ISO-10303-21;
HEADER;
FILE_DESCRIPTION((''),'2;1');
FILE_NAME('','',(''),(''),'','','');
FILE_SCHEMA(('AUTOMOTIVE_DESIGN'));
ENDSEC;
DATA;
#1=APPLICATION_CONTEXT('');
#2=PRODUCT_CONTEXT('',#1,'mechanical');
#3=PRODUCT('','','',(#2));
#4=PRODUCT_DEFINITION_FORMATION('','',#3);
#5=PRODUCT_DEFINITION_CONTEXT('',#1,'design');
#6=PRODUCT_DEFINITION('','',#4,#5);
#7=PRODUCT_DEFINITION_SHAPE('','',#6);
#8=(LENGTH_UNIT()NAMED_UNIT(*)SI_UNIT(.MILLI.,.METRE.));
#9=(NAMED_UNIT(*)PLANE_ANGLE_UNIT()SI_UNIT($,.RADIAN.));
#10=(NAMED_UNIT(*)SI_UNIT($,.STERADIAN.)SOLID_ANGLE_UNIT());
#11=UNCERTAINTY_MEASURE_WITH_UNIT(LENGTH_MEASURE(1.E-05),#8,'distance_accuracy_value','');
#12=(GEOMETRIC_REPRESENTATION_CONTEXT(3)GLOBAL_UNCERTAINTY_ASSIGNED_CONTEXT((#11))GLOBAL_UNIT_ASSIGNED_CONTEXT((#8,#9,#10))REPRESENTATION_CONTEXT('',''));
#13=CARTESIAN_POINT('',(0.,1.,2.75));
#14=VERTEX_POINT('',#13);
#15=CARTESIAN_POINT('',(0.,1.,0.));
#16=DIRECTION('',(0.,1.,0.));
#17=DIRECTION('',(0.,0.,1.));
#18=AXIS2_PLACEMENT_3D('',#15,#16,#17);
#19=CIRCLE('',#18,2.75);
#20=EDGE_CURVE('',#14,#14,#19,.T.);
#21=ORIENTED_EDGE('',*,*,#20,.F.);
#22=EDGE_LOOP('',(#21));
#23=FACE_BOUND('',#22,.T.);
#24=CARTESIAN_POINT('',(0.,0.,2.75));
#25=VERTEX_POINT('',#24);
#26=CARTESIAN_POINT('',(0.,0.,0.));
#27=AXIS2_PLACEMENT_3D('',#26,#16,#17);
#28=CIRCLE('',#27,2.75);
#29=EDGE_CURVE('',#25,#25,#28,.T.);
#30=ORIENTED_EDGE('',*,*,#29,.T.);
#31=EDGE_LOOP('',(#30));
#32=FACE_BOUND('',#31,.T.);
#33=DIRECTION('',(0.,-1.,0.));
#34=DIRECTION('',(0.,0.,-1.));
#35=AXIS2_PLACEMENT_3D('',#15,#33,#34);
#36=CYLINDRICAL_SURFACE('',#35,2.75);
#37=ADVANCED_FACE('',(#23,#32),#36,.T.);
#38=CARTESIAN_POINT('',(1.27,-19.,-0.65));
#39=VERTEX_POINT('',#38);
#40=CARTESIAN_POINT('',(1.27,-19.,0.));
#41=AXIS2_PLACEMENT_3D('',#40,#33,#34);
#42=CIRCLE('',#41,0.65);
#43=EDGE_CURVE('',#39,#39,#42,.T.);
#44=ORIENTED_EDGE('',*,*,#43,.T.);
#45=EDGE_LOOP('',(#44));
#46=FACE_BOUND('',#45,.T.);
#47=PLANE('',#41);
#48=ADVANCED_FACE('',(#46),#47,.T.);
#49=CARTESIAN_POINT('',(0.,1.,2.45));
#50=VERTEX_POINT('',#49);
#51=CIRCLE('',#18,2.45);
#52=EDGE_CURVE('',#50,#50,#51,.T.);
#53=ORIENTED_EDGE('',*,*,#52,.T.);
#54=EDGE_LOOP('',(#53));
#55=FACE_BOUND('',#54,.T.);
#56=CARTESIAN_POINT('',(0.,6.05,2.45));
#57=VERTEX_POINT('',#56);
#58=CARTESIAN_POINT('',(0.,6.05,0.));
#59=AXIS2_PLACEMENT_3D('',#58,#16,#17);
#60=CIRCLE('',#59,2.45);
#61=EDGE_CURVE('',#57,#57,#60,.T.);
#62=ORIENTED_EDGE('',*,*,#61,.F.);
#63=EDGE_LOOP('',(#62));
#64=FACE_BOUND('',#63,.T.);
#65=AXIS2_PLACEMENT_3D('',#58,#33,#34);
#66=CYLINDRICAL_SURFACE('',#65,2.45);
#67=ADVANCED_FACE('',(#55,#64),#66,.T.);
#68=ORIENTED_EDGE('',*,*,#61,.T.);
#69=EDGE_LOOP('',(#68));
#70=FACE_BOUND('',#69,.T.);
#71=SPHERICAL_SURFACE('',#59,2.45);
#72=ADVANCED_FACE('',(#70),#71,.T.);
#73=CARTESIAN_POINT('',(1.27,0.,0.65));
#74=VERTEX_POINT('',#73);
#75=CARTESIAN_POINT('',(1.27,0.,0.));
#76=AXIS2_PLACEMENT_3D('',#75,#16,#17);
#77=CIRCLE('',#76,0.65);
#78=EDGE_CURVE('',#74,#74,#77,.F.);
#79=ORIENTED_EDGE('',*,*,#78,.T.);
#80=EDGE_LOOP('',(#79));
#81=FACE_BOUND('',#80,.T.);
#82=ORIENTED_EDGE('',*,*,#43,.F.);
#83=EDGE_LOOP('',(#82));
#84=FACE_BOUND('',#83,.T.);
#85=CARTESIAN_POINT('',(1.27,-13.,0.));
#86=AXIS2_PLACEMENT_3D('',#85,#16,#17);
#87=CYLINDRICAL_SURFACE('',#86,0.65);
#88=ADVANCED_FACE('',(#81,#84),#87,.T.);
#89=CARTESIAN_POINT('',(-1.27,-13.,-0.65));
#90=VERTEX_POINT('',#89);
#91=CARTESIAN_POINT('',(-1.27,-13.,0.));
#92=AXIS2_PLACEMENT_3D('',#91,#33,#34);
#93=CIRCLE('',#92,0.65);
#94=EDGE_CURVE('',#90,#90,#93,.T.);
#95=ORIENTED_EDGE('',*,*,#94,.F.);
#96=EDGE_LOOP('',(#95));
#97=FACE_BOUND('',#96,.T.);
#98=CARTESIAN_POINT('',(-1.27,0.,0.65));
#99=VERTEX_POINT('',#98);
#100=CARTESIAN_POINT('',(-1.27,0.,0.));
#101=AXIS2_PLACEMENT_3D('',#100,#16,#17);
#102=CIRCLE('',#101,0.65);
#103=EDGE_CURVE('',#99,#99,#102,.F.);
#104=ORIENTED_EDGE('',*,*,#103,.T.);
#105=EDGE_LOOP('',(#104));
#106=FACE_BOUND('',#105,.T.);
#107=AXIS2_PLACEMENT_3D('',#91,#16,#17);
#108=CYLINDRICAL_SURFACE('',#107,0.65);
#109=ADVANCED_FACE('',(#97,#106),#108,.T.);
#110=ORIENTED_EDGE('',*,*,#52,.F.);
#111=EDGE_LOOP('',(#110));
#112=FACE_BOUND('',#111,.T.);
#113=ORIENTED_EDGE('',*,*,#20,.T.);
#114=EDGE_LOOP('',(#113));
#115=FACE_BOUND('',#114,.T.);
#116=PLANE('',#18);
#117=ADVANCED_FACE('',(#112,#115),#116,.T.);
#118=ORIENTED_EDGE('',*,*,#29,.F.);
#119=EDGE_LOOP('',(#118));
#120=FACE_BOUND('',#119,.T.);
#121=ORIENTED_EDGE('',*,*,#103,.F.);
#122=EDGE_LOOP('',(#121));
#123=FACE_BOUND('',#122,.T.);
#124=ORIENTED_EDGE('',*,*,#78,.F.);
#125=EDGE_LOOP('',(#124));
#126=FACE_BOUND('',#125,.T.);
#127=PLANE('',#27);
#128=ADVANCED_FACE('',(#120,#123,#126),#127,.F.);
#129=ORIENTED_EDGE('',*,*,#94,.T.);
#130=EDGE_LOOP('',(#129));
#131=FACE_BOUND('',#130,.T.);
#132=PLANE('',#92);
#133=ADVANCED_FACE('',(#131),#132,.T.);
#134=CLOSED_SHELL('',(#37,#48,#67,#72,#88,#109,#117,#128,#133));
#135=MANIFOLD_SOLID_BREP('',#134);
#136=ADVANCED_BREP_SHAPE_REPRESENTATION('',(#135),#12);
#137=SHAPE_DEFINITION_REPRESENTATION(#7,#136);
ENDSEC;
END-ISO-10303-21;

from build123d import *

# Parameters (mm, degrees)
CROQUIS1_R              = 2.75
SALIENTE_EXTRUIR1_DEPTH = 1
CROQUIS2_R              = 2.45
SALIENTE_EXTRUIR2_DEPTH = 5.05
C_PULA1_FACE_RADIUS     = 2.45
C_PULA1_HEIGHT          = 2.45
CROQUIS3_R              = 0.25
SALIENTE_EXTRUIR3_DEPTH = 16
CROQUIS5_R              = 0.25
SALIENTE_EXTRUIR5_DEPTH = 17
SKETCH2_R               = 0.25
CUT_EXTRUDE1_DEPTH      = 16
SKETCH3_R               = 0.25
CUT_EXTRUDE2_DEPTH      = 10
SKETCH4_R               = 0.65
BOSS_EXTRUDE1_DEPTH     = 13
SKETCH5_R               = 0.65
BOSS_EXTRUDE2_DEPTH     = 6


with BuildPart() as part:
    # Croquis1 → Saliente-Extruir1 (new body)
    with BuildSketch(Plane(origin=(0, 0, 0), x_dir=(1, 0, 0), z_dir=(0, 1, 0))):
        Circle(CROQUIS1_R)
    extrude(amount=SALIENTE_EXTRUIR1_DEPTH)

    # Croquis2 → Saliente-Extruir2 (add)
    with BuildSketch(Plane(origin=(0, 1, 0), x_dir=(1, 0, 0), z_dir=(0, 1, 0))):
        Circle(CROQUIS2_R)
    extrude(amount=SALIENTE_EXTRUIR2_DEPTH)

    # Cúpula1: a dome of height H over a round flat face of radius A is a cap of a sphere of radius (A * A + H * H) / (2 * H)
    c_pula1_r = (C_PULA1_FACE_RADIUS * C_PULA1_FACE_RADIUS + C_PULA1_HEIGHT * C_PULA1_HEIGHT) / (2 * C_PULA1_HEIGHT)
    c_pula1_base = Plane((0, 6.05, 0), z_dir=(0, 1, 0))
    with Locations(c_pula1_base.offset(C_PULA1_HEIGHT - c_pula1_r)):
        c_pula1_ball = Sphere(c_pula1_r, mode=Mode.PRIVATE)
    add(split(c_pula1_ball, bisect_by=c_pula1_base, keep=Keep.TOP, mode=Mode.PRIVATE))

    # Croquis3 → Saliente-Extruir3 (add)
    with BuildSketch(Plane.XZ):
        with Locations((-1.205162028, 0)):
            Circle(CROQUIS3_R)
    extrude(amount=SALIENTE_EXTRUIR3_DEPTH)

    # Croquis5 → Saliente-Extruir5 (add)
    with BuildSketch(Plane.XZ):
        with Locations((1.205162028, 0)):
            Circle(CROQUIS5_R)
    extrude(amount=SALIENTE_EXTRUIR5_DEPTH)

    # Sketch2 → Cut-Extrude1 (cut)
    with BuildSketch(Plane.XZ.offset(16)):
        with Locations((-1.205162028, 0)):
            Circle(SKETCH2_R)
        with Locations((1.205162028, 0)):
            Circle(SKETCH2_R)
    extrude(amount=-CUT_EXTRUDE1_DEPTH, mode=Mode.SUBTRACT)

    # Sketch3 → Cut-Extrude2 (cut)
    with BuildSketch(Plane.XZ.offset(17)):
        with Locations((1.205162028, 0)):
            Circle(SKETCH3_R)
    extrude(amount=-CUT_EXTRUDE2_DEPTH, mode=Mode.SUBTRACT)

    # Sketch4 → Boss-Extrude1 (add)
    with BuildSketch(Plane.XZ):
        with Locations((1.27, 0)):
            Circle(SKETCH4_R)
        with Locations((-1.27, 0)):
            Circle(SKETCH4_R)
    extrude(amount=BOSS_EXTRUDE1_DEPTH)

    # Sketch5 → Boss-Extrude2 (add)
    with BuildSketch(Plane.XZ.offset(13)):
        with Locations((1.27, 0)):
            Circle(SKETCH5_R)
    extrude(amount=BOSS_EXTRUDE2_DEPTH)


solid = part.part
